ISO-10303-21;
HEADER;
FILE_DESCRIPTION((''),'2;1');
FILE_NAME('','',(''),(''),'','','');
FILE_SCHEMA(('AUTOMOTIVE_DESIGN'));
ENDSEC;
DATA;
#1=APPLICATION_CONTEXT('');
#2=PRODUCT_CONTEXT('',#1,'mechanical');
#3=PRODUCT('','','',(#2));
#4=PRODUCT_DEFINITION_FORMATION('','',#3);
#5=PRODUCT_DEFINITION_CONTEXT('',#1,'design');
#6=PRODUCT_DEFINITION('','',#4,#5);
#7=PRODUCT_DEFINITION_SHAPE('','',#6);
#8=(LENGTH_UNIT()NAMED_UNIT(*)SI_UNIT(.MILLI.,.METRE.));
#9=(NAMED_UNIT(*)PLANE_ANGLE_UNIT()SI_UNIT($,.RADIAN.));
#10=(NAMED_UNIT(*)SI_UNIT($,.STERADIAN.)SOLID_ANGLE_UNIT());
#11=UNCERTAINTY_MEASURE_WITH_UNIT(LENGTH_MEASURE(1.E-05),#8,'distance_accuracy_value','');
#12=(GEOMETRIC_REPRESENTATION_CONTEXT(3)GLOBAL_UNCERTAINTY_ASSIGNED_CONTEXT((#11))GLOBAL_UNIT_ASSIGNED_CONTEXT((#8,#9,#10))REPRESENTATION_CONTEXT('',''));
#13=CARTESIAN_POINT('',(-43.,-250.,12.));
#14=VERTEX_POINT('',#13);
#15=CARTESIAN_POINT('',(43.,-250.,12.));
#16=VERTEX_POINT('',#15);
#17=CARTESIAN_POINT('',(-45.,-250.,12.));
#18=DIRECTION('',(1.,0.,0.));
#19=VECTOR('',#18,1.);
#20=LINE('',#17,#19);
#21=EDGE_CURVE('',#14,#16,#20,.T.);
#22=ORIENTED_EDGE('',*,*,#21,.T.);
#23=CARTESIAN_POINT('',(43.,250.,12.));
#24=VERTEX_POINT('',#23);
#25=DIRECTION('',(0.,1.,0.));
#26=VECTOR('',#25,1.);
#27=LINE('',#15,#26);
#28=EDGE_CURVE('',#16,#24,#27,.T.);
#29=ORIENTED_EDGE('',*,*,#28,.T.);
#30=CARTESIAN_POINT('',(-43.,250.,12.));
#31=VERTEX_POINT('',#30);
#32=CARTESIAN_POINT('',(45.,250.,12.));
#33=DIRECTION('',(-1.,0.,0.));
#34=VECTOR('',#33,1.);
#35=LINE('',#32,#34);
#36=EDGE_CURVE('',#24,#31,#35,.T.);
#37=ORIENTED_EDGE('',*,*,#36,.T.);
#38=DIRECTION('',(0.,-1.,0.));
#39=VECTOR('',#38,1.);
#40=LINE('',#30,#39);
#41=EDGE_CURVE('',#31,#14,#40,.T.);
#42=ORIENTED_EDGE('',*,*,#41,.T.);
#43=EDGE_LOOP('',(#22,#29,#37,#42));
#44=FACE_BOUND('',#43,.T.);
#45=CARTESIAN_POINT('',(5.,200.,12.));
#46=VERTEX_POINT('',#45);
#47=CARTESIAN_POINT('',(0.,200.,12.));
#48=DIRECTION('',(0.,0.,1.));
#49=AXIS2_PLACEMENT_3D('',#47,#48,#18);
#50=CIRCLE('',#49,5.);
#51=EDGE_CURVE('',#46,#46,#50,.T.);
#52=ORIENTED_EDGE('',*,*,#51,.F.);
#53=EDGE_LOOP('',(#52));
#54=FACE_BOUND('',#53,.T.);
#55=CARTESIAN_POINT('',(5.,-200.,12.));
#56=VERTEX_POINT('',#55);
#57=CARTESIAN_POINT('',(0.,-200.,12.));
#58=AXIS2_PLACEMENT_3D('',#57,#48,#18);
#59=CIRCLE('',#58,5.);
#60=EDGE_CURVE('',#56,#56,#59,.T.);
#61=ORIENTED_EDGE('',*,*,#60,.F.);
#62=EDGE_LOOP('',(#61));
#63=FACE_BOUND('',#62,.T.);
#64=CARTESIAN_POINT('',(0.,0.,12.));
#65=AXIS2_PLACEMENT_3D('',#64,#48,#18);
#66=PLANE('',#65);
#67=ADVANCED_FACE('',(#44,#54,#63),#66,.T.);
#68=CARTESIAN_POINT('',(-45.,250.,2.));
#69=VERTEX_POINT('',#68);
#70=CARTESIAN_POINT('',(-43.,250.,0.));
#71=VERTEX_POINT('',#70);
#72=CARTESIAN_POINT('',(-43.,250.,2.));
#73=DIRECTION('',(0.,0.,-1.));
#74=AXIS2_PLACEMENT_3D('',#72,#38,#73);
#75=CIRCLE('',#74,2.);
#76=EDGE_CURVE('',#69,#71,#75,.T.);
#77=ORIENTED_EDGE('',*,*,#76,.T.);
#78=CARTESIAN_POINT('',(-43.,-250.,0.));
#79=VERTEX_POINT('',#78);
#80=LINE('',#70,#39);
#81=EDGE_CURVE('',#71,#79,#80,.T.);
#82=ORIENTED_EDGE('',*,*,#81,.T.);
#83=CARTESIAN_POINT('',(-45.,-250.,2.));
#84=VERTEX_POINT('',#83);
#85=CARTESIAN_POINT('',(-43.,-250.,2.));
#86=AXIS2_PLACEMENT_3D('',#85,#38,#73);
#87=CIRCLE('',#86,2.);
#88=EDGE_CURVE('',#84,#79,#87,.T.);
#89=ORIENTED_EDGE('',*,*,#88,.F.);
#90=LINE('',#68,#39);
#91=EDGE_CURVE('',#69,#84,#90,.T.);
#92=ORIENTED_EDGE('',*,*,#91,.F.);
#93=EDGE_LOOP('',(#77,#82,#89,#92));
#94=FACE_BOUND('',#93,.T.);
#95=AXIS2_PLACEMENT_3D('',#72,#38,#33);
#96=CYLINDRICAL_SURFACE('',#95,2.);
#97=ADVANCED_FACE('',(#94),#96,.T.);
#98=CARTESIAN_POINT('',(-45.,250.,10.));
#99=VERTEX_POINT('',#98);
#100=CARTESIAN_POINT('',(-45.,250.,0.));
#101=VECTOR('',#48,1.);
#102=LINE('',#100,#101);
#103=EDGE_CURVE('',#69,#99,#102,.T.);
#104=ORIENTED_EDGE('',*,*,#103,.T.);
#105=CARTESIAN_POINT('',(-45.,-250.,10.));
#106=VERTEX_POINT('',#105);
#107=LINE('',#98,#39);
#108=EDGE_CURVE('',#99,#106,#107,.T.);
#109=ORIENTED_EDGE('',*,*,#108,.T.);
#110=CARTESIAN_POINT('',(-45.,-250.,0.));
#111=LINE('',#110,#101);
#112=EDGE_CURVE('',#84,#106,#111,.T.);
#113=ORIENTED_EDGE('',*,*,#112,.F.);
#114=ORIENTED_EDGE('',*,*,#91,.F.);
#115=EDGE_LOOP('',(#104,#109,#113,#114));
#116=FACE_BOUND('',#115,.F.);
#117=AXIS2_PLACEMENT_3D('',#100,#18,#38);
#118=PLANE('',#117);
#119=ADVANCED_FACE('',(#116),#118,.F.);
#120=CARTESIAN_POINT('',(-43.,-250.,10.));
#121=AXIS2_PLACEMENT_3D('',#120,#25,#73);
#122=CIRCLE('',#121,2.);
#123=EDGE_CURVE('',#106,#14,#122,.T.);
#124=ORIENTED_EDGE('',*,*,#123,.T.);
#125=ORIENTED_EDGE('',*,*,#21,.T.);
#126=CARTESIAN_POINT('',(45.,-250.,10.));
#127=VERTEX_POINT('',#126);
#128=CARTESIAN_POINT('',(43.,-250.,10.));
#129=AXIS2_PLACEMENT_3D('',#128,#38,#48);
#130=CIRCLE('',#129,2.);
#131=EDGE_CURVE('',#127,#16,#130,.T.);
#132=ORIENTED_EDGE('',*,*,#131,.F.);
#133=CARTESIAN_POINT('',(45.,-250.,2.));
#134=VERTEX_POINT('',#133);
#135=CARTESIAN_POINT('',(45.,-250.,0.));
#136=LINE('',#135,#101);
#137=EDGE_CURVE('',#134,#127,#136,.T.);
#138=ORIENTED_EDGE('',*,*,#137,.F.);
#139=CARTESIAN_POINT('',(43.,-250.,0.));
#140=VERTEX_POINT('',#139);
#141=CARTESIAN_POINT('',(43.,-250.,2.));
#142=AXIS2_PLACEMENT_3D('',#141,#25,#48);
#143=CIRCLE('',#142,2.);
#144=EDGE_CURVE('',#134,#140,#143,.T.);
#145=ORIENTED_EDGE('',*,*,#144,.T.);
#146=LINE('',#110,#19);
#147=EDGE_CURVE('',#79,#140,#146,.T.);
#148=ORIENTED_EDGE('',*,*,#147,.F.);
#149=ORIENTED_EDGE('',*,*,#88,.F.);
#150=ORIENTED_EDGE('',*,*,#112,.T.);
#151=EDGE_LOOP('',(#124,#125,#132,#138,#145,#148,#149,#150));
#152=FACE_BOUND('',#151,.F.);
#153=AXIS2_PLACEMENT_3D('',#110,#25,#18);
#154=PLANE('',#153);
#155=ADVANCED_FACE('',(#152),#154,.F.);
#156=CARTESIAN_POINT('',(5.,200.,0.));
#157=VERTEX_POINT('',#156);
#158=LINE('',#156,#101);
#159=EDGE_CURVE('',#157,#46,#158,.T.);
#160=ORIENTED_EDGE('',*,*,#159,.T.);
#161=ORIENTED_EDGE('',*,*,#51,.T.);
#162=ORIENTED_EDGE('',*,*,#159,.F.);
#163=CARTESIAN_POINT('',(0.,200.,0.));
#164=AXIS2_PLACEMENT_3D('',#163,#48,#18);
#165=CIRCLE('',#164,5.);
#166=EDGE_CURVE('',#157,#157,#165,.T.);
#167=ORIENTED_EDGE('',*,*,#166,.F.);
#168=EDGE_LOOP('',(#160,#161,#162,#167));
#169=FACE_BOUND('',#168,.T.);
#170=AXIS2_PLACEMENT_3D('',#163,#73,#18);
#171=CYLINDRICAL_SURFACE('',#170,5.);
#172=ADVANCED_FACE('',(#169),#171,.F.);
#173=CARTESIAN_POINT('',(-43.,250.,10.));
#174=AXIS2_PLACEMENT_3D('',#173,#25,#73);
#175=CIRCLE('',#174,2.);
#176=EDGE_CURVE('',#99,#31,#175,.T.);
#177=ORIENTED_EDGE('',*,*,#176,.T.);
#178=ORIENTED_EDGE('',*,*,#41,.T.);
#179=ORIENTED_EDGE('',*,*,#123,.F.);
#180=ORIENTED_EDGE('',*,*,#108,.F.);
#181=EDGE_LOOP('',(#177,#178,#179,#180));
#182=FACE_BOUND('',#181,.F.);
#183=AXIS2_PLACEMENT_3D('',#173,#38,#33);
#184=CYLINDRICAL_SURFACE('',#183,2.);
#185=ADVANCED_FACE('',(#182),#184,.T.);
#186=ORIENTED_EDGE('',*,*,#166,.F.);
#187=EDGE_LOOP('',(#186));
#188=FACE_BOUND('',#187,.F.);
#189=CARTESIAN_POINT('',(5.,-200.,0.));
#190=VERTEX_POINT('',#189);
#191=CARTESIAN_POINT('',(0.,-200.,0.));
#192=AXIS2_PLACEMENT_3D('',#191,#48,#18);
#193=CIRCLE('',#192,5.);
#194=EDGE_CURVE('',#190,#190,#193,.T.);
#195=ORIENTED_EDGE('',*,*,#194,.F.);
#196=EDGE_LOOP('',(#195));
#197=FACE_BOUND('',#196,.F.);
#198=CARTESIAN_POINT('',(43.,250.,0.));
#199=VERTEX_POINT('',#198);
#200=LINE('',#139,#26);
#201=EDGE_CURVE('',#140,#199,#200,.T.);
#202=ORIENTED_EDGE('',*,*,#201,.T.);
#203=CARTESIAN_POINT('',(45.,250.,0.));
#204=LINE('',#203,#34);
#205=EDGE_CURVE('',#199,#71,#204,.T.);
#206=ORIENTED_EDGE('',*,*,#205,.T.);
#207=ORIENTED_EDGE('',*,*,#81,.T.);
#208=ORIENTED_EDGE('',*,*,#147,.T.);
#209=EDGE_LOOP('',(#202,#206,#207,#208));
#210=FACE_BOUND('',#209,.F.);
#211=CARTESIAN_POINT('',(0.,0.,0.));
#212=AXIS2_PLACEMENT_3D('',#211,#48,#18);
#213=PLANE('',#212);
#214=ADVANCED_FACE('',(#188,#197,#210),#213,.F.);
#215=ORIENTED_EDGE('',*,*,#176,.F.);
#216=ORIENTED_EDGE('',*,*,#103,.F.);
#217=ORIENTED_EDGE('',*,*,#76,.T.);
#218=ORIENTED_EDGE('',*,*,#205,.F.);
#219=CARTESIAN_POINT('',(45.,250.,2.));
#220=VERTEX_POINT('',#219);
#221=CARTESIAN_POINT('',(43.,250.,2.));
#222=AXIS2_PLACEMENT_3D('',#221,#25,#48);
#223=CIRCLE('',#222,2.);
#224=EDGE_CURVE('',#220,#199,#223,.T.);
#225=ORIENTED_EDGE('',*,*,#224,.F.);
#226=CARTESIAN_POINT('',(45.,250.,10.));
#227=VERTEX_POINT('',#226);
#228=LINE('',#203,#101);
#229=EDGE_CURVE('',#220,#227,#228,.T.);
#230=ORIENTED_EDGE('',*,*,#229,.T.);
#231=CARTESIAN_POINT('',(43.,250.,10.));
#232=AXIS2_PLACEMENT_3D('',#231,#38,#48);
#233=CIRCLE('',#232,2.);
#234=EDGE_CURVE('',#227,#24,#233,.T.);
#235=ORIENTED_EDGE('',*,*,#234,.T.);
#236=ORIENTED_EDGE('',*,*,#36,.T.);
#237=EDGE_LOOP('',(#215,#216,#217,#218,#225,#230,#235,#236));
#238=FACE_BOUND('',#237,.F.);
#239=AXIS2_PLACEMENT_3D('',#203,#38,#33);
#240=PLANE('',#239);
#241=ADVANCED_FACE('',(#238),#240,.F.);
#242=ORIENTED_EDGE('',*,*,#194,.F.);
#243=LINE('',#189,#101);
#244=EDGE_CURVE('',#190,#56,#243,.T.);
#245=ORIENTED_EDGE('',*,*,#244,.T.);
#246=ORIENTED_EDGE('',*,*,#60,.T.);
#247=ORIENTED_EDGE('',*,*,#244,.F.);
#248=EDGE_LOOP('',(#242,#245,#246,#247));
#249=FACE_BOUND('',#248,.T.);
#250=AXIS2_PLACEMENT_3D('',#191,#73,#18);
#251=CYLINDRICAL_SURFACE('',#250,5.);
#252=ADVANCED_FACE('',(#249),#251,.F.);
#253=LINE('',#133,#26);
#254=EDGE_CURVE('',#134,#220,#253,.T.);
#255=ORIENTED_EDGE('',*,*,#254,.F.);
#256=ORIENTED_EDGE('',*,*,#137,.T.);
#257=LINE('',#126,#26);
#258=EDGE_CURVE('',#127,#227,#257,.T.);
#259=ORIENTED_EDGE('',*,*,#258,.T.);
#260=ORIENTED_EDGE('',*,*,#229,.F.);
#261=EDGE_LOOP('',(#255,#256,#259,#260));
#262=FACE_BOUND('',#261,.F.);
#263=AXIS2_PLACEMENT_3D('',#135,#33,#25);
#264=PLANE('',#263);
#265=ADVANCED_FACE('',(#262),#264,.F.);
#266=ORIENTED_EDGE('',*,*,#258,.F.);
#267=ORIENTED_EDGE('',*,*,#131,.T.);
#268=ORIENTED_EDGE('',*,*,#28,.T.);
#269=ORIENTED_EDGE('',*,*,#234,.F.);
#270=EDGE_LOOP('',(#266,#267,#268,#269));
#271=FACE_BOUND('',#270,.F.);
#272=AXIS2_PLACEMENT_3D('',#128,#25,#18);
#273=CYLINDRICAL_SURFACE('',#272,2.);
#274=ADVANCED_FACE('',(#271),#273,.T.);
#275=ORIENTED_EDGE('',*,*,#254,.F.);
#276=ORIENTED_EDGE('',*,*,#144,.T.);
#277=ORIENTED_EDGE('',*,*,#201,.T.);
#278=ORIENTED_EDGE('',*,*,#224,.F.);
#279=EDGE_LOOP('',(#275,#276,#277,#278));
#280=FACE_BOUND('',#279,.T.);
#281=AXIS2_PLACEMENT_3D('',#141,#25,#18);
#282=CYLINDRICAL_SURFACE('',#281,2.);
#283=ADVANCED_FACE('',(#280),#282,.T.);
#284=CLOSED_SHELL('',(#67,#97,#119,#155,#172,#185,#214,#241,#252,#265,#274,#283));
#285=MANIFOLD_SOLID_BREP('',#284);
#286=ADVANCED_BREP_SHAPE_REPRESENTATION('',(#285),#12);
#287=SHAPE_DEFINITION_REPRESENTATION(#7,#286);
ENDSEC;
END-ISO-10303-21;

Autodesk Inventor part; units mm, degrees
ref_plane "YZ Plane" through (0, 0, 0) normal (1, 0, 0) x (0, 1, 0)
ref_plane "XZ Plane" through (0, 0, 0) normal (0, 1, 0) x (-1, 0, 0)
ref_plane "Work Plane1" through (0, 0, 0) normal (0, 0, 1) x (1, 0, 0)
sketch "Sketch1" plane through (0, 0, 0) normal (0, 0, 1) x (1, 0, 0)
  line L0 (-45, -250) -> (45, -250)
  line L1 (45, -250) -> (45, 250)
  line L2 (45, 250) -> (-45, 250)
  line L3 (-45, 250) -> (-45, -250)
  line L4 (0, -250) -> (0, 250) construction
  circle A0 centre (0, -200) radius 5
  line L5 (-45, 0) -> (126, 0) construction
  circle A1 centre (0, 200) radius 5
  dimension "d0" = 90
  dimension "d1" = 500
  dimension "d10" = 10
  dimension "d11" = 200
extrude "Extrusion1" add sketch "Sketch1" along normal blind 12
fillet "Fillet1" radius 2 4 edges at (-45, 0, 12) (-45, 0, 0) (45, 0, 12) (45, 0, 0)
properties part number "doga_short" material "Wood (Oak)"
